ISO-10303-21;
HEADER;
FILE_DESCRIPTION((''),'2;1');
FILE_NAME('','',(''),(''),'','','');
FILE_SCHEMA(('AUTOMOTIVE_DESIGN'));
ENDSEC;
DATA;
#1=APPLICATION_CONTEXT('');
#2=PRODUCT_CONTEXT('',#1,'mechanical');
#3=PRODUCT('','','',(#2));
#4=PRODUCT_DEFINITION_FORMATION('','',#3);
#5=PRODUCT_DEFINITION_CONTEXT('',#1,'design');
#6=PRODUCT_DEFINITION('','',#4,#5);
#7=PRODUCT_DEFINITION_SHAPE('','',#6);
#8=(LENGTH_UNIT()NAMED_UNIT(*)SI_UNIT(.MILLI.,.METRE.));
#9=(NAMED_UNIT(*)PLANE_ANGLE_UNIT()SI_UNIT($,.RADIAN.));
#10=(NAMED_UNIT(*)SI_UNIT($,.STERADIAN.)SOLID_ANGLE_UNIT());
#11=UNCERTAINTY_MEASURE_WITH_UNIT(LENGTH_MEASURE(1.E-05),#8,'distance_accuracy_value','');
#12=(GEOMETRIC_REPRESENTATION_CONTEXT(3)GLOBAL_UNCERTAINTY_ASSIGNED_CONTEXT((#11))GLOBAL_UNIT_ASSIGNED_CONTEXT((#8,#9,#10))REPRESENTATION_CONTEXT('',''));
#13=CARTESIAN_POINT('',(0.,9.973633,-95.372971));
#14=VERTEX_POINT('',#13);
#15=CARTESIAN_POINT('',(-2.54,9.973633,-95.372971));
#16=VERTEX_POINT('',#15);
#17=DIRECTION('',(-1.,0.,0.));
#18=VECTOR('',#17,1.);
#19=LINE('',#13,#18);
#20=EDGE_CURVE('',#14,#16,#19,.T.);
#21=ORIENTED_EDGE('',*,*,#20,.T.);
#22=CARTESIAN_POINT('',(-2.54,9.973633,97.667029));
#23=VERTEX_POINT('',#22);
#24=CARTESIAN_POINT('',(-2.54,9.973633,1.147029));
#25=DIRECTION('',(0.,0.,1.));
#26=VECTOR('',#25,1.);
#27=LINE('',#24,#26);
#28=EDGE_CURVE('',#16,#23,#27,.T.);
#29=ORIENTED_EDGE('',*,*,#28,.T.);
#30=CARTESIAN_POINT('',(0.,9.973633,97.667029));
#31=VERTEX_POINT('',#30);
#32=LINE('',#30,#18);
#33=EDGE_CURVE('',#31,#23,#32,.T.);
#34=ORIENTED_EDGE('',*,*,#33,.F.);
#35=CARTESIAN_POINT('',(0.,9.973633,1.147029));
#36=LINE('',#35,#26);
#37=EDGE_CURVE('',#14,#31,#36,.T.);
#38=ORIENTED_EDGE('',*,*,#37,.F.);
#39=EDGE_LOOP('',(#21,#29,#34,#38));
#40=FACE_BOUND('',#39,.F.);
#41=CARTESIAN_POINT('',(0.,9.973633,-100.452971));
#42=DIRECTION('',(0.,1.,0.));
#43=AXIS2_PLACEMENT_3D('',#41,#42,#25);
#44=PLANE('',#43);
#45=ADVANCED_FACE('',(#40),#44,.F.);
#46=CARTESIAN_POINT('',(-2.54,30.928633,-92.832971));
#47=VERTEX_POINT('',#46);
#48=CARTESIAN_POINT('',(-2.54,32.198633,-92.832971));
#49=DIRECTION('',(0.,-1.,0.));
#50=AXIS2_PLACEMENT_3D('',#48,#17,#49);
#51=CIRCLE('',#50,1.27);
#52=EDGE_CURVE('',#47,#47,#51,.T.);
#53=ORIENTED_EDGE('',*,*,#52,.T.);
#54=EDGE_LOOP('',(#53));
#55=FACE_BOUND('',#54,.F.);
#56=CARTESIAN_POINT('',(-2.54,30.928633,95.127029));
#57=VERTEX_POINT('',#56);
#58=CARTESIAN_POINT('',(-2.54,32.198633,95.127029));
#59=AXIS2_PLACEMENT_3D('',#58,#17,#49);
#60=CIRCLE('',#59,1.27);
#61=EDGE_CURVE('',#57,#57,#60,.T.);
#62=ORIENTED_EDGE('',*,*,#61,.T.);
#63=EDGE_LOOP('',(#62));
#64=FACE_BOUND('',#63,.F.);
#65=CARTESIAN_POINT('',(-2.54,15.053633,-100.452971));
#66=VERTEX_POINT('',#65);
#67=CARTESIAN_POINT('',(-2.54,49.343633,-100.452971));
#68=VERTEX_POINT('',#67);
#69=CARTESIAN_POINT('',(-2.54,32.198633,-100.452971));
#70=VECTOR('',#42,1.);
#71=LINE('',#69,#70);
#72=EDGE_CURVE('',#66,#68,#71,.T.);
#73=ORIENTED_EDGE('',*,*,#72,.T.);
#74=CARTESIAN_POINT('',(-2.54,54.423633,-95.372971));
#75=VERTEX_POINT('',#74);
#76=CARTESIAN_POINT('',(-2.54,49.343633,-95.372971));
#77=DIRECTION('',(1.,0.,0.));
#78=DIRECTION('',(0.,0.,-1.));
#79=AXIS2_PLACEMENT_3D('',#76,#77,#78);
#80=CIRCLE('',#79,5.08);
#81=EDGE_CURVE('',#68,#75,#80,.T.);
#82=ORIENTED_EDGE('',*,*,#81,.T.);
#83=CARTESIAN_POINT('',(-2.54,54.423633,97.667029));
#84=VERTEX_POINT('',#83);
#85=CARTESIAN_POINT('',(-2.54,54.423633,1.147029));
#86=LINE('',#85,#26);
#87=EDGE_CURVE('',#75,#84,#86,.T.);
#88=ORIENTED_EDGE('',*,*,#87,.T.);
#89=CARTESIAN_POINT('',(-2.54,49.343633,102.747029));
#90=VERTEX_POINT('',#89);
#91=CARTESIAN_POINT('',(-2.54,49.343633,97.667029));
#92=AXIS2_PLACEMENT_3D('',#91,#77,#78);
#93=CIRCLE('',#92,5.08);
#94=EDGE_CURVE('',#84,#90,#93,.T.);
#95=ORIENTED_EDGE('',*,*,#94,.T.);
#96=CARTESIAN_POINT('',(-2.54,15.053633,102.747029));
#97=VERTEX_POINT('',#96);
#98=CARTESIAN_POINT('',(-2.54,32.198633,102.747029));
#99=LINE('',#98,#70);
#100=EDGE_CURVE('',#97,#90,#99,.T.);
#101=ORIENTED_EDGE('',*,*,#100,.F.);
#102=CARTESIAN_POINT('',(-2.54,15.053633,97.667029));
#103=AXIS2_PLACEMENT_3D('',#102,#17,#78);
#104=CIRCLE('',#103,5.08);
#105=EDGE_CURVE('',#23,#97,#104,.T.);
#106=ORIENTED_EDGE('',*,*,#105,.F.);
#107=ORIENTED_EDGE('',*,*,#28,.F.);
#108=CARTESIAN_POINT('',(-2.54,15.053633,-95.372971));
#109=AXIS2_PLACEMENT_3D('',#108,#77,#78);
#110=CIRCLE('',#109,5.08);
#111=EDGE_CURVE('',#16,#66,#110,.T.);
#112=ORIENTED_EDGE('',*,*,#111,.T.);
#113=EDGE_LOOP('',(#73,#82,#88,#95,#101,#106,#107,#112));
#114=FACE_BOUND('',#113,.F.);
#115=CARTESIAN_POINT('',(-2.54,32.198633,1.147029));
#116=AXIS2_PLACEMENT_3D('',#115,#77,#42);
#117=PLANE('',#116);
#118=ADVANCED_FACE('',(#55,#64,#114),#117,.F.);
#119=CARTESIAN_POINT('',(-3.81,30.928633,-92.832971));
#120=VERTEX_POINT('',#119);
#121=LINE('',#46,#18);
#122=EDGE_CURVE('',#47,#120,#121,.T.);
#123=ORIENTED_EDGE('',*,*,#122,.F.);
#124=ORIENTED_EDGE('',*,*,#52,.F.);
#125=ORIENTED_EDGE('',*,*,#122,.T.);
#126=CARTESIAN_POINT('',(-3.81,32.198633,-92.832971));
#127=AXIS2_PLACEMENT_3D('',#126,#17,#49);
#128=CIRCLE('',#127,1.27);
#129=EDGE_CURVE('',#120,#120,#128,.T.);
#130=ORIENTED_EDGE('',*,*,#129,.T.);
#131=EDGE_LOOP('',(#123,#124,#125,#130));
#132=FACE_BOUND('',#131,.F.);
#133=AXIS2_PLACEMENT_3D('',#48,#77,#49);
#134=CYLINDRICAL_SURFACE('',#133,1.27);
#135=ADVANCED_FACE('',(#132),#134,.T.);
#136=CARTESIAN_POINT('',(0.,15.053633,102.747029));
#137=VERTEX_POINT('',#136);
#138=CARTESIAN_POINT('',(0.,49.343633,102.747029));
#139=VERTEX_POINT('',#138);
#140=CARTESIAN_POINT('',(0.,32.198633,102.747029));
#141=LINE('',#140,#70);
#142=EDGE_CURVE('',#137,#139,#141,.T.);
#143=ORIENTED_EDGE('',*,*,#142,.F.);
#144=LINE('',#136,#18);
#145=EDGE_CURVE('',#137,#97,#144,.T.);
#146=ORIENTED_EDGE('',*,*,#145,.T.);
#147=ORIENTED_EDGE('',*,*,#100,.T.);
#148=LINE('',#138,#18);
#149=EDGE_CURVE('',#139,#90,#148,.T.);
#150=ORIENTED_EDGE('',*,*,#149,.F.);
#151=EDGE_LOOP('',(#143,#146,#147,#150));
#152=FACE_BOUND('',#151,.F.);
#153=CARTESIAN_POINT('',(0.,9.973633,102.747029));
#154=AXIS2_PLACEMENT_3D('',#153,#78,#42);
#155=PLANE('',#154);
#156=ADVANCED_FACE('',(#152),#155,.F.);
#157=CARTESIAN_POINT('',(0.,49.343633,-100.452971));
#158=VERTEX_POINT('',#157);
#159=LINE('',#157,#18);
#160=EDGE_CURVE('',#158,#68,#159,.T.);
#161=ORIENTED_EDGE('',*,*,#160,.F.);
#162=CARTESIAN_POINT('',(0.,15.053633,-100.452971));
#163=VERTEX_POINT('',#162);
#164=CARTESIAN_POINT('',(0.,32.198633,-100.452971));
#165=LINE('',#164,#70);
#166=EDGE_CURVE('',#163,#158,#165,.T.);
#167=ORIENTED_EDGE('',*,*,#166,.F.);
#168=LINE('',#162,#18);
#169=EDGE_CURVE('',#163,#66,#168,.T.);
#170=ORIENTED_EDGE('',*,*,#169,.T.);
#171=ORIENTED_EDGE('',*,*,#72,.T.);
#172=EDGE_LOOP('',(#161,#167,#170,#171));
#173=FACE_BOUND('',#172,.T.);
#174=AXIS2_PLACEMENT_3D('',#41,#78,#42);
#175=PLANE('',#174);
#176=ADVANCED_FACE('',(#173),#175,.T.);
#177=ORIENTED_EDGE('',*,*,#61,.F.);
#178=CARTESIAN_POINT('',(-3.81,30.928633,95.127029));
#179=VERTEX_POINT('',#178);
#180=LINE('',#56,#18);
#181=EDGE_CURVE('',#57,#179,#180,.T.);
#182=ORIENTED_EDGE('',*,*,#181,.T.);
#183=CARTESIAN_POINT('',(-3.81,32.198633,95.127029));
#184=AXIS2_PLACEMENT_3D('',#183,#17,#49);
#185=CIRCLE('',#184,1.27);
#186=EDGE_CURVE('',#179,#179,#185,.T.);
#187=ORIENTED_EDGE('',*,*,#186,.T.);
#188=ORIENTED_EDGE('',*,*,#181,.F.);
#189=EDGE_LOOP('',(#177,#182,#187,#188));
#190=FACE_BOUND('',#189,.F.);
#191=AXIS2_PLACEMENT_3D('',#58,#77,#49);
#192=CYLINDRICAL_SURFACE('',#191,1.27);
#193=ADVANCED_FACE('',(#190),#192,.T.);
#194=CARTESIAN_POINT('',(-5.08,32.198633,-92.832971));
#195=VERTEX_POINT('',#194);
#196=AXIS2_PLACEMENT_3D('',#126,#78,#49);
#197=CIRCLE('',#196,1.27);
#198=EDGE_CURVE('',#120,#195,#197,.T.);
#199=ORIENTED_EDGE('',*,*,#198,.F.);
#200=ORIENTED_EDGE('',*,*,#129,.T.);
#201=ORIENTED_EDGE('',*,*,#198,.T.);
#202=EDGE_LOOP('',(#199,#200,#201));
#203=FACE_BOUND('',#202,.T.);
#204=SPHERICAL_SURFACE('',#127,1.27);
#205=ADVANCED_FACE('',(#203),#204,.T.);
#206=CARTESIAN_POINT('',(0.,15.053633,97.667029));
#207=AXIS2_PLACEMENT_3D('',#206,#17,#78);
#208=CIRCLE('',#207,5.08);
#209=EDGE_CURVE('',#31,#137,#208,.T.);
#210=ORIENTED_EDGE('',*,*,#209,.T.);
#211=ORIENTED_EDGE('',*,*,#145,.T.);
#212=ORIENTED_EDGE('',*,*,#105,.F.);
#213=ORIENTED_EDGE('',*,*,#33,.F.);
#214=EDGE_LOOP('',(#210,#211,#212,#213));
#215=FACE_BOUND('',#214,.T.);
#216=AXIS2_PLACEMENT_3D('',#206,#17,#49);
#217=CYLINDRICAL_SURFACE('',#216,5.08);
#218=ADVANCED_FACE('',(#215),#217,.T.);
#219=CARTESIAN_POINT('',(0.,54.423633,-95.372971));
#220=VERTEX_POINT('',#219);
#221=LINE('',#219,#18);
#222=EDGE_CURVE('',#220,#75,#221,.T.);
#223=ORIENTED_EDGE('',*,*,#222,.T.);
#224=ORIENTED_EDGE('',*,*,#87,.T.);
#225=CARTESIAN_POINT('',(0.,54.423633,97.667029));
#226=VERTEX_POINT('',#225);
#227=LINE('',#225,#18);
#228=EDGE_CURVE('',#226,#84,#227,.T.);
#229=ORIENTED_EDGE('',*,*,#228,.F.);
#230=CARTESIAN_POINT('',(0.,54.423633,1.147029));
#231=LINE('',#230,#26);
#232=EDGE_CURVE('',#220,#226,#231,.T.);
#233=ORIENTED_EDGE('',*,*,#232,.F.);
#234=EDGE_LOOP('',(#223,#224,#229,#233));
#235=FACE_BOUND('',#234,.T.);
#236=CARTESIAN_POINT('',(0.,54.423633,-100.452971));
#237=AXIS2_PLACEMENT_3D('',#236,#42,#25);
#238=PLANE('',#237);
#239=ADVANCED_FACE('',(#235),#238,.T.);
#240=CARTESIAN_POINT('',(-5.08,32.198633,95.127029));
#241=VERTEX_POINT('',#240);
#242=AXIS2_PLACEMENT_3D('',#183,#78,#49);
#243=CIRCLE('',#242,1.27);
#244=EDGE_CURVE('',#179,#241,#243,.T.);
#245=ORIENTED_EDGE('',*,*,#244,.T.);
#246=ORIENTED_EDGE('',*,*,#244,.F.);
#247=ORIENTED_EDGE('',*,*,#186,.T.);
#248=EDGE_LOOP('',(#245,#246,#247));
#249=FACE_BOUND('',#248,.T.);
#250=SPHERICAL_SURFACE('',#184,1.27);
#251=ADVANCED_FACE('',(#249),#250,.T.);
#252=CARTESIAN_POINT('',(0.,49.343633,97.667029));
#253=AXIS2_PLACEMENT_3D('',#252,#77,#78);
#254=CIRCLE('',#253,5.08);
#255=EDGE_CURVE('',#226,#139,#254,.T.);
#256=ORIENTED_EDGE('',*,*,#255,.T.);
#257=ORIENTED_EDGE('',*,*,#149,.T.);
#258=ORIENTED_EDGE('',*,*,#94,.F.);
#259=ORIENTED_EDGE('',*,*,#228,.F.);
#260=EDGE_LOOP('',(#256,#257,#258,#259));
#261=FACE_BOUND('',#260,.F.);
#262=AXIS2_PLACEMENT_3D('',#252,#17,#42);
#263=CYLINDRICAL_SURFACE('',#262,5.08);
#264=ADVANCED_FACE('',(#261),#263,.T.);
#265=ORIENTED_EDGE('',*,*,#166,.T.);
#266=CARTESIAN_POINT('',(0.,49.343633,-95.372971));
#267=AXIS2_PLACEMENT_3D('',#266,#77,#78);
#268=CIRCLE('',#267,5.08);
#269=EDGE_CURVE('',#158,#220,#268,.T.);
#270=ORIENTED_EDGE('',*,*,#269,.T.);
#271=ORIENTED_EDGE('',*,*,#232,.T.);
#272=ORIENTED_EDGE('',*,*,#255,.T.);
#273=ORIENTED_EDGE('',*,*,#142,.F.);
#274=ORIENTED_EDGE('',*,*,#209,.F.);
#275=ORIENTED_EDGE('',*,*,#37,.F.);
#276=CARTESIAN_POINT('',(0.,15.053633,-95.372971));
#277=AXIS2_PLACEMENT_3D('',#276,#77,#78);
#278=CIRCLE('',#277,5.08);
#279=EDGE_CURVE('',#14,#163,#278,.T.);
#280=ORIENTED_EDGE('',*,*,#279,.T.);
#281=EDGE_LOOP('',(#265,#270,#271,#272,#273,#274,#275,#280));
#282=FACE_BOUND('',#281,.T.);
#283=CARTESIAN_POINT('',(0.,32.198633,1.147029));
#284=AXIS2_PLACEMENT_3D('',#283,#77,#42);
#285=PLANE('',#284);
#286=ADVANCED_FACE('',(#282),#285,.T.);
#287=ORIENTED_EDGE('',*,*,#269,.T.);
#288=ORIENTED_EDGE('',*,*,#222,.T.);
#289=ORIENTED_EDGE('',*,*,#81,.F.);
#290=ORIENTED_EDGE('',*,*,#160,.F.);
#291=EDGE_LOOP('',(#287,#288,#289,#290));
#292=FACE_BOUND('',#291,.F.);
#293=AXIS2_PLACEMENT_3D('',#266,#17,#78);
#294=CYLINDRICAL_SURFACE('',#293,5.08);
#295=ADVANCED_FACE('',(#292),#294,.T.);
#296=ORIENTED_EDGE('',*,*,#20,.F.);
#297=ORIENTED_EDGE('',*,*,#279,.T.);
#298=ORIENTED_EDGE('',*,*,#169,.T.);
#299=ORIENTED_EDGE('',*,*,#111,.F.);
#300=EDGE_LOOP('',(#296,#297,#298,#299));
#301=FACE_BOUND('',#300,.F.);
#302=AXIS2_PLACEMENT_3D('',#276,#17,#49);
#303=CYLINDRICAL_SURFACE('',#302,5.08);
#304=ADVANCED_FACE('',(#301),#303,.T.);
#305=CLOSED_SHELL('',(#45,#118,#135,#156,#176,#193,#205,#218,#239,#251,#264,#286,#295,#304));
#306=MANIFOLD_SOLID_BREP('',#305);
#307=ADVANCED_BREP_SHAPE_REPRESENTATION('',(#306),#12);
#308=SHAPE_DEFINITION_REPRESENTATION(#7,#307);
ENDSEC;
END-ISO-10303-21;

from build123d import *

# Parameters (mm, degrees)
F0_W     = 44.45
F0_H     = 203.2
F1_DEPTH = 2.54
F2_R     = 5.08
F3_R     = 1.27
F4_DEPTH = 2.54
F5_R     = 1.27
F6_R     = 1.27
F7_DEPTH = 2.54
F8_R     = 1.27


with BuildPart() as f1:
    # F0 (on Right) → F1 (new body)
    with BuildSketch(Plane.YZ):
        with Locations((32.198633, 1.147029)):
            Rectangle(F0_W, F0_H)
    extrude(amount=-F1_DEPTH)

    # F2
    f2_edges = [f1.edges().sort_by_distance(p)[0] for p in [
        (-1.27, 54.423633, 102.747029),
        (-1.27, 9.973633, 102.747029),
        (-1.27, 54.423633, -100.452971),
        (-1.27, 9.973633, -100.452971),
    ]]
    fillet(f2_edges, radius=F2_R)

    # F3 (on face) → F4 (join)
    with BuildSketch(Plane(origin=(-2.54, 0, 0), x_dir=(0, -1, 0), z_dir=(-1, 0, 0))):
        with Locations((-32.198633, 95.127029)):
            Circle(F3_R)
    extrude(amount=F4_DEPTH)

    # F5
    f5_edges = [f1.edges().sort_by_distance(p)[0] for p in [
        (-5.08, 33.468633, 95.127029),
    ]]
    fillet(f5_edges, radius=F5_R)

    # F6 (on face) → F7 (join)
    with BuildSketch(Plane(origin=(-2.54, 0, 0), x_dir=(0, -1, 0), z_dir=(-1, 0, 0))):
        with Locations((-32.198633, -92.832971)):
            Circle(F6_R)
    extrude(amount=F7_DEPTH)

    # F8
    f8_edges = [f1.edges().sort_by_distance(p)[0] for p in [
        (-5.08, 33.468633, -92.832971),
    ]]
    fillet(f8_edges, radius=F8_R)


solid = f1.part
